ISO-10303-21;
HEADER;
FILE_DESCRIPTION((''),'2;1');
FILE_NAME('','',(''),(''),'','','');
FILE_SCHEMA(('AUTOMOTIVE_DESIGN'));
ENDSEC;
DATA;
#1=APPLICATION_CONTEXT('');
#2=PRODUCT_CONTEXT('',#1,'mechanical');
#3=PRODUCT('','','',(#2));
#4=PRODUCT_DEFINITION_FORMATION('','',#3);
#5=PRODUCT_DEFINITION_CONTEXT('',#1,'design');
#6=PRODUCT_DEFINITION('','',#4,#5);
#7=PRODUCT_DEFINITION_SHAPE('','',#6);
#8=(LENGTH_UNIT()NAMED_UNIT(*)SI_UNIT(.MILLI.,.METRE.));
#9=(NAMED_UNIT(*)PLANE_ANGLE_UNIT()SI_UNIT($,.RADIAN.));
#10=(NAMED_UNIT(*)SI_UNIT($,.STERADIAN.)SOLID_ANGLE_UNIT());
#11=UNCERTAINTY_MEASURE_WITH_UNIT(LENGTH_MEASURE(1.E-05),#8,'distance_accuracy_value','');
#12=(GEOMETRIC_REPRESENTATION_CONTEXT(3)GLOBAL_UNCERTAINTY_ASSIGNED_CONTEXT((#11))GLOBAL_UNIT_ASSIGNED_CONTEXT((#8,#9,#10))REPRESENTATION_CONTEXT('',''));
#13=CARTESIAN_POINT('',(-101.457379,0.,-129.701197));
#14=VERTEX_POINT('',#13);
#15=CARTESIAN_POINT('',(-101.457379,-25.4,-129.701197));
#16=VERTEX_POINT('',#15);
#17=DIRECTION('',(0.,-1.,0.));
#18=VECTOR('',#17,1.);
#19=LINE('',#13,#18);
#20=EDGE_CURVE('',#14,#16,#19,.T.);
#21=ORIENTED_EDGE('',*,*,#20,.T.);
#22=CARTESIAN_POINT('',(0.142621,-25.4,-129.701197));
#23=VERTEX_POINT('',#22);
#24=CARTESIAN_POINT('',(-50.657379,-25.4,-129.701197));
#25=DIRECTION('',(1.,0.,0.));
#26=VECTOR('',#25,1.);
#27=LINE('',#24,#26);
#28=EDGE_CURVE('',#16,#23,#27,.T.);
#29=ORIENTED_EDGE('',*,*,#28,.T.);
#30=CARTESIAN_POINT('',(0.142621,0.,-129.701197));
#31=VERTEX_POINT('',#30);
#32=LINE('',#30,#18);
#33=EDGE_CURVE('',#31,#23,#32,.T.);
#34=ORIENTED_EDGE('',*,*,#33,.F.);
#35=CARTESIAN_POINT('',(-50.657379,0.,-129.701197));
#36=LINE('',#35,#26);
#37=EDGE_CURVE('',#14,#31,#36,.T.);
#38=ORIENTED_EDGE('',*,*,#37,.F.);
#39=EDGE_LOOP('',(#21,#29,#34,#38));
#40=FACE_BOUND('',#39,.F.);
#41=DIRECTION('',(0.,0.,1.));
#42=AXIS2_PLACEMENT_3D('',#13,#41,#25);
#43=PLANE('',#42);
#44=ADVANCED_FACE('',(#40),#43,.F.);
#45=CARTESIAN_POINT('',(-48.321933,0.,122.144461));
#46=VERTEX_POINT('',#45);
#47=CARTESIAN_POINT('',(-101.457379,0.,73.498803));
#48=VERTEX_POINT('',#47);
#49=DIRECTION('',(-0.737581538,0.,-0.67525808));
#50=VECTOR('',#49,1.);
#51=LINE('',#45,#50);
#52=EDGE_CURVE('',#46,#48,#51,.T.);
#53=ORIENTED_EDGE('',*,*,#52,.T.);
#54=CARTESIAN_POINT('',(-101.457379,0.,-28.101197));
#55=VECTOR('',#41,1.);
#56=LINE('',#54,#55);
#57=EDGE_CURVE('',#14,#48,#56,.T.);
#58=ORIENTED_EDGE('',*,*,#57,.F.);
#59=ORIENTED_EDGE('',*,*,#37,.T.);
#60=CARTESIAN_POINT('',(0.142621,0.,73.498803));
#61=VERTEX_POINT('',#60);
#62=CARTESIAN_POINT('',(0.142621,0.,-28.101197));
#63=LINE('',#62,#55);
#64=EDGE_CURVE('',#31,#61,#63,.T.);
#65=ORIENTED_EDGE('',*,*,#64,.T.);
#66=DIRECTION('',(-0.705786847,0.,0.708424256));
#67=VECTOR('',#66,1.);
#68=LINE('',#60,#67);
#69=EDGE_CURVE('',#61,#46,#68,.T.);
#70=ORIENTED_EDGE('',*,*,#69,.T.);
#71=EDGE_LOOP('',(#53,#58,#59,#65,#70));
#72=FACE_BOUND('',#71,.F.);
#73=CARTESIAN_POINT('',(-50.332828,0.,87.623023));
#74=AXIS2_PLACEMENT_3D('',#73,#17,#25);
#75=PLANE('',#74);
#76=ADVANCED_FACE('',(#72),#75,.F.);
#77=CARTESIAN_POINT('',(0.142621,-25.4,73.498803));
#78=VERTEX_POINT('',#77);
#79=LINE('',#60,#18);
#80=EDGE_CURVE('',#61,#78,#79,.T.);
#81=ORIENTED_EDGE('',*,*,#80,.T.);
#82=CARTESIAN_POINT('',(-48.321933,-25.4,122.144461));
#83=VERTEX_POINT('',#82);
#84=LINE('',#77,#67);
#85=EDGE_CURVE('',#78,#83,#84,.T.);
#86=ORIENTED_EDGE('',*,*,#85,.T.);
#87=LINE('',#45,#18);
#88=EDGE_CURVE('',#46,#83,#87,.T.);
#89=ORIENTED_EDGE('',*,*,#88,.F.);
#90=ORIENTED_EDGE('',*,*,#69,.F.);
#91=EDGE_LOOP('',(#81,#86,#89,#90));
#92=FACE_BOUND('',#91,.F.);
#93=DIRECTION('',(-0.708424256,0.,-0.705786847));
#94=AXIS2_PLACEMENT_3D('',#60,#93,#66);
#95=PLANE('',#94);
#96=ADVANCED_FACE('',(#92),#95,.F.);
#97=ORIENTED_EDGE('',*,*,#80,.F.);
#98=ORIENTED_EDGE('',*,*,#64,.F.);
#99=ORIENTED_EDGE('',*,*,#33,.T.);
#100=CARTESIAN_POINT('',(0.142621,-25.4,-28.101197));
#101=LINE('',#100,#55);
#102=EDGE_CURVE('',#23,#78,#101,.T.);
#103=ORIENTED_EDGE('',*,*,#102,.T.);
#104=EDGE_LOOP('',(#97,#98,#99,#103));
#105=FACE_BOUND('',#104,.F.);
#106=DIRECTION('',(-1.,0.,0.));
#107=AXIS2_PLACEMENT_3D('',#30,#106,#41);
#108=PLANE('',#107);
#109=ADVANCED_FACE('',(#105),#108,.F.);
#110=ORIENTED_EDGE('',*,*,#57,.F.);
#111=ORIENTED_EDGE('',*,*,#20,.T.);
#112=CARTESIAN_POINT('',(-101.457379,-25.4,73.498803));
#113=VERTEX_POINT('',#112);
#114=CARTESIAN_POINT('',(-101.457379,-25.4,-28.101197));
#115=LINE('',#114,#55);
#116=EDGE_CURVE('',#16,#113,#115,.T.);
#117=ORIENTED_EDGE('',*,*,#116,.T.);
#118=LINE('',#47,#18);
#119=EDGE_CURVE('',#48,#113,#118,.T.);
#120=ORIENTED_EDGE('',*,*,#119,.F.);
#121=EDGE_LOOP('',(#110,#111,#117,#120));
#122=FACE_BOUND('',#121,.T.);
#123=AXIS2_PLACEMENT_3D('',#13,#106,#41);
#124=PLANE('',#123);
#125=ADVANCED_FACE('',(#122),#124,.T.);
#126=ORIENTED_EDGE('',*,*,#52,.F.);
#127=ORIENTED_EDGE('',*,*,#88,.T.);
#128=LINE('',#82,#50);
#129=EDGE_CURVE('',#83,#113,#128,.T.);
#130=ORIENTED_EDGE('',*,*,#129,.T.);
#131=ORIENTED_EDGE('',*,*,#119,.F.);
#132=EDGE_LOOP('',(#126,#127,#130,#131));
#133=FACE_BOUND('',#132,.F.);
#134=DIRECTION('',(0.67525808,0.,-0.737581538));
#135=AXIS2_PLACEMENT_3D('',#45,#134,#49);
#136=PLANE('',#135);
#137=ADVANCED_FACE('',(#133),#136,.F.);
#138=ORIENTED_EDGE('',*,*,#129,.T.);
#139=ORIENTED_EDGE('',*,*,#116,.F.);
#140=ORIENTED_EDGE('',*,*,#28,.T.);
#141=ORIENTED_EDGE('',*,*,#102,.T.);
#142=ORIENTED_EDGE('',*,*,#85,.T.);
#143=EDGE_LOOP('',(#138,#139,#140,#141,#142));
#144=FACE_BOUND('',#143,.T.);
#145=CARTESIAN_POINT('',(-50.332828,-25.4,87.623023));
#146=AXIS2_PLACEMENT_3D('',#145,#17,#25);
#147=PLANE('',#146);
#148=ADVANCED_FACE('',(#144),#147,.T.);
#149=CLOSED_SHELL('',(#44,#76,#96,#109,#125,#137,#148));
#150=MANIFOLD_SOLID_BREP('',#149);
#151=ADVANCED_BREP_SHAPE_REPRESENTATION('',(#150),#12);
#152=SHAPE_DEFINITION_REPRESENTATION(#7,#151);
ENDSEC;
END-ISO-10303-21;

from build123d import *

# Parameters (mm, degrees)
F0_W     = 101.6
F0_H     = 203.2
F1_DEPTH = 25.4
F2_DEPTH = 25.4


with BuildPart() as f1:
    # F0 (on Front) → F1 (new body)
    with BuildSketch(Plane.XZ):
        with Locations((-50.657379, -28.101197)):
            Rectangle(F0_W, F0_H)
    extrude(amount=F1_DEPTH)

    # F0 (on Front) → F2 (join)
    with BuildSketch(Plane.XZ):
        Polygon((-48.321933, 122.144461), (-101.457379, 73.498803), (0.142621, 73.498803), align=None)
    extrude(amount=F2_DEPTH)


solid = f1.part
